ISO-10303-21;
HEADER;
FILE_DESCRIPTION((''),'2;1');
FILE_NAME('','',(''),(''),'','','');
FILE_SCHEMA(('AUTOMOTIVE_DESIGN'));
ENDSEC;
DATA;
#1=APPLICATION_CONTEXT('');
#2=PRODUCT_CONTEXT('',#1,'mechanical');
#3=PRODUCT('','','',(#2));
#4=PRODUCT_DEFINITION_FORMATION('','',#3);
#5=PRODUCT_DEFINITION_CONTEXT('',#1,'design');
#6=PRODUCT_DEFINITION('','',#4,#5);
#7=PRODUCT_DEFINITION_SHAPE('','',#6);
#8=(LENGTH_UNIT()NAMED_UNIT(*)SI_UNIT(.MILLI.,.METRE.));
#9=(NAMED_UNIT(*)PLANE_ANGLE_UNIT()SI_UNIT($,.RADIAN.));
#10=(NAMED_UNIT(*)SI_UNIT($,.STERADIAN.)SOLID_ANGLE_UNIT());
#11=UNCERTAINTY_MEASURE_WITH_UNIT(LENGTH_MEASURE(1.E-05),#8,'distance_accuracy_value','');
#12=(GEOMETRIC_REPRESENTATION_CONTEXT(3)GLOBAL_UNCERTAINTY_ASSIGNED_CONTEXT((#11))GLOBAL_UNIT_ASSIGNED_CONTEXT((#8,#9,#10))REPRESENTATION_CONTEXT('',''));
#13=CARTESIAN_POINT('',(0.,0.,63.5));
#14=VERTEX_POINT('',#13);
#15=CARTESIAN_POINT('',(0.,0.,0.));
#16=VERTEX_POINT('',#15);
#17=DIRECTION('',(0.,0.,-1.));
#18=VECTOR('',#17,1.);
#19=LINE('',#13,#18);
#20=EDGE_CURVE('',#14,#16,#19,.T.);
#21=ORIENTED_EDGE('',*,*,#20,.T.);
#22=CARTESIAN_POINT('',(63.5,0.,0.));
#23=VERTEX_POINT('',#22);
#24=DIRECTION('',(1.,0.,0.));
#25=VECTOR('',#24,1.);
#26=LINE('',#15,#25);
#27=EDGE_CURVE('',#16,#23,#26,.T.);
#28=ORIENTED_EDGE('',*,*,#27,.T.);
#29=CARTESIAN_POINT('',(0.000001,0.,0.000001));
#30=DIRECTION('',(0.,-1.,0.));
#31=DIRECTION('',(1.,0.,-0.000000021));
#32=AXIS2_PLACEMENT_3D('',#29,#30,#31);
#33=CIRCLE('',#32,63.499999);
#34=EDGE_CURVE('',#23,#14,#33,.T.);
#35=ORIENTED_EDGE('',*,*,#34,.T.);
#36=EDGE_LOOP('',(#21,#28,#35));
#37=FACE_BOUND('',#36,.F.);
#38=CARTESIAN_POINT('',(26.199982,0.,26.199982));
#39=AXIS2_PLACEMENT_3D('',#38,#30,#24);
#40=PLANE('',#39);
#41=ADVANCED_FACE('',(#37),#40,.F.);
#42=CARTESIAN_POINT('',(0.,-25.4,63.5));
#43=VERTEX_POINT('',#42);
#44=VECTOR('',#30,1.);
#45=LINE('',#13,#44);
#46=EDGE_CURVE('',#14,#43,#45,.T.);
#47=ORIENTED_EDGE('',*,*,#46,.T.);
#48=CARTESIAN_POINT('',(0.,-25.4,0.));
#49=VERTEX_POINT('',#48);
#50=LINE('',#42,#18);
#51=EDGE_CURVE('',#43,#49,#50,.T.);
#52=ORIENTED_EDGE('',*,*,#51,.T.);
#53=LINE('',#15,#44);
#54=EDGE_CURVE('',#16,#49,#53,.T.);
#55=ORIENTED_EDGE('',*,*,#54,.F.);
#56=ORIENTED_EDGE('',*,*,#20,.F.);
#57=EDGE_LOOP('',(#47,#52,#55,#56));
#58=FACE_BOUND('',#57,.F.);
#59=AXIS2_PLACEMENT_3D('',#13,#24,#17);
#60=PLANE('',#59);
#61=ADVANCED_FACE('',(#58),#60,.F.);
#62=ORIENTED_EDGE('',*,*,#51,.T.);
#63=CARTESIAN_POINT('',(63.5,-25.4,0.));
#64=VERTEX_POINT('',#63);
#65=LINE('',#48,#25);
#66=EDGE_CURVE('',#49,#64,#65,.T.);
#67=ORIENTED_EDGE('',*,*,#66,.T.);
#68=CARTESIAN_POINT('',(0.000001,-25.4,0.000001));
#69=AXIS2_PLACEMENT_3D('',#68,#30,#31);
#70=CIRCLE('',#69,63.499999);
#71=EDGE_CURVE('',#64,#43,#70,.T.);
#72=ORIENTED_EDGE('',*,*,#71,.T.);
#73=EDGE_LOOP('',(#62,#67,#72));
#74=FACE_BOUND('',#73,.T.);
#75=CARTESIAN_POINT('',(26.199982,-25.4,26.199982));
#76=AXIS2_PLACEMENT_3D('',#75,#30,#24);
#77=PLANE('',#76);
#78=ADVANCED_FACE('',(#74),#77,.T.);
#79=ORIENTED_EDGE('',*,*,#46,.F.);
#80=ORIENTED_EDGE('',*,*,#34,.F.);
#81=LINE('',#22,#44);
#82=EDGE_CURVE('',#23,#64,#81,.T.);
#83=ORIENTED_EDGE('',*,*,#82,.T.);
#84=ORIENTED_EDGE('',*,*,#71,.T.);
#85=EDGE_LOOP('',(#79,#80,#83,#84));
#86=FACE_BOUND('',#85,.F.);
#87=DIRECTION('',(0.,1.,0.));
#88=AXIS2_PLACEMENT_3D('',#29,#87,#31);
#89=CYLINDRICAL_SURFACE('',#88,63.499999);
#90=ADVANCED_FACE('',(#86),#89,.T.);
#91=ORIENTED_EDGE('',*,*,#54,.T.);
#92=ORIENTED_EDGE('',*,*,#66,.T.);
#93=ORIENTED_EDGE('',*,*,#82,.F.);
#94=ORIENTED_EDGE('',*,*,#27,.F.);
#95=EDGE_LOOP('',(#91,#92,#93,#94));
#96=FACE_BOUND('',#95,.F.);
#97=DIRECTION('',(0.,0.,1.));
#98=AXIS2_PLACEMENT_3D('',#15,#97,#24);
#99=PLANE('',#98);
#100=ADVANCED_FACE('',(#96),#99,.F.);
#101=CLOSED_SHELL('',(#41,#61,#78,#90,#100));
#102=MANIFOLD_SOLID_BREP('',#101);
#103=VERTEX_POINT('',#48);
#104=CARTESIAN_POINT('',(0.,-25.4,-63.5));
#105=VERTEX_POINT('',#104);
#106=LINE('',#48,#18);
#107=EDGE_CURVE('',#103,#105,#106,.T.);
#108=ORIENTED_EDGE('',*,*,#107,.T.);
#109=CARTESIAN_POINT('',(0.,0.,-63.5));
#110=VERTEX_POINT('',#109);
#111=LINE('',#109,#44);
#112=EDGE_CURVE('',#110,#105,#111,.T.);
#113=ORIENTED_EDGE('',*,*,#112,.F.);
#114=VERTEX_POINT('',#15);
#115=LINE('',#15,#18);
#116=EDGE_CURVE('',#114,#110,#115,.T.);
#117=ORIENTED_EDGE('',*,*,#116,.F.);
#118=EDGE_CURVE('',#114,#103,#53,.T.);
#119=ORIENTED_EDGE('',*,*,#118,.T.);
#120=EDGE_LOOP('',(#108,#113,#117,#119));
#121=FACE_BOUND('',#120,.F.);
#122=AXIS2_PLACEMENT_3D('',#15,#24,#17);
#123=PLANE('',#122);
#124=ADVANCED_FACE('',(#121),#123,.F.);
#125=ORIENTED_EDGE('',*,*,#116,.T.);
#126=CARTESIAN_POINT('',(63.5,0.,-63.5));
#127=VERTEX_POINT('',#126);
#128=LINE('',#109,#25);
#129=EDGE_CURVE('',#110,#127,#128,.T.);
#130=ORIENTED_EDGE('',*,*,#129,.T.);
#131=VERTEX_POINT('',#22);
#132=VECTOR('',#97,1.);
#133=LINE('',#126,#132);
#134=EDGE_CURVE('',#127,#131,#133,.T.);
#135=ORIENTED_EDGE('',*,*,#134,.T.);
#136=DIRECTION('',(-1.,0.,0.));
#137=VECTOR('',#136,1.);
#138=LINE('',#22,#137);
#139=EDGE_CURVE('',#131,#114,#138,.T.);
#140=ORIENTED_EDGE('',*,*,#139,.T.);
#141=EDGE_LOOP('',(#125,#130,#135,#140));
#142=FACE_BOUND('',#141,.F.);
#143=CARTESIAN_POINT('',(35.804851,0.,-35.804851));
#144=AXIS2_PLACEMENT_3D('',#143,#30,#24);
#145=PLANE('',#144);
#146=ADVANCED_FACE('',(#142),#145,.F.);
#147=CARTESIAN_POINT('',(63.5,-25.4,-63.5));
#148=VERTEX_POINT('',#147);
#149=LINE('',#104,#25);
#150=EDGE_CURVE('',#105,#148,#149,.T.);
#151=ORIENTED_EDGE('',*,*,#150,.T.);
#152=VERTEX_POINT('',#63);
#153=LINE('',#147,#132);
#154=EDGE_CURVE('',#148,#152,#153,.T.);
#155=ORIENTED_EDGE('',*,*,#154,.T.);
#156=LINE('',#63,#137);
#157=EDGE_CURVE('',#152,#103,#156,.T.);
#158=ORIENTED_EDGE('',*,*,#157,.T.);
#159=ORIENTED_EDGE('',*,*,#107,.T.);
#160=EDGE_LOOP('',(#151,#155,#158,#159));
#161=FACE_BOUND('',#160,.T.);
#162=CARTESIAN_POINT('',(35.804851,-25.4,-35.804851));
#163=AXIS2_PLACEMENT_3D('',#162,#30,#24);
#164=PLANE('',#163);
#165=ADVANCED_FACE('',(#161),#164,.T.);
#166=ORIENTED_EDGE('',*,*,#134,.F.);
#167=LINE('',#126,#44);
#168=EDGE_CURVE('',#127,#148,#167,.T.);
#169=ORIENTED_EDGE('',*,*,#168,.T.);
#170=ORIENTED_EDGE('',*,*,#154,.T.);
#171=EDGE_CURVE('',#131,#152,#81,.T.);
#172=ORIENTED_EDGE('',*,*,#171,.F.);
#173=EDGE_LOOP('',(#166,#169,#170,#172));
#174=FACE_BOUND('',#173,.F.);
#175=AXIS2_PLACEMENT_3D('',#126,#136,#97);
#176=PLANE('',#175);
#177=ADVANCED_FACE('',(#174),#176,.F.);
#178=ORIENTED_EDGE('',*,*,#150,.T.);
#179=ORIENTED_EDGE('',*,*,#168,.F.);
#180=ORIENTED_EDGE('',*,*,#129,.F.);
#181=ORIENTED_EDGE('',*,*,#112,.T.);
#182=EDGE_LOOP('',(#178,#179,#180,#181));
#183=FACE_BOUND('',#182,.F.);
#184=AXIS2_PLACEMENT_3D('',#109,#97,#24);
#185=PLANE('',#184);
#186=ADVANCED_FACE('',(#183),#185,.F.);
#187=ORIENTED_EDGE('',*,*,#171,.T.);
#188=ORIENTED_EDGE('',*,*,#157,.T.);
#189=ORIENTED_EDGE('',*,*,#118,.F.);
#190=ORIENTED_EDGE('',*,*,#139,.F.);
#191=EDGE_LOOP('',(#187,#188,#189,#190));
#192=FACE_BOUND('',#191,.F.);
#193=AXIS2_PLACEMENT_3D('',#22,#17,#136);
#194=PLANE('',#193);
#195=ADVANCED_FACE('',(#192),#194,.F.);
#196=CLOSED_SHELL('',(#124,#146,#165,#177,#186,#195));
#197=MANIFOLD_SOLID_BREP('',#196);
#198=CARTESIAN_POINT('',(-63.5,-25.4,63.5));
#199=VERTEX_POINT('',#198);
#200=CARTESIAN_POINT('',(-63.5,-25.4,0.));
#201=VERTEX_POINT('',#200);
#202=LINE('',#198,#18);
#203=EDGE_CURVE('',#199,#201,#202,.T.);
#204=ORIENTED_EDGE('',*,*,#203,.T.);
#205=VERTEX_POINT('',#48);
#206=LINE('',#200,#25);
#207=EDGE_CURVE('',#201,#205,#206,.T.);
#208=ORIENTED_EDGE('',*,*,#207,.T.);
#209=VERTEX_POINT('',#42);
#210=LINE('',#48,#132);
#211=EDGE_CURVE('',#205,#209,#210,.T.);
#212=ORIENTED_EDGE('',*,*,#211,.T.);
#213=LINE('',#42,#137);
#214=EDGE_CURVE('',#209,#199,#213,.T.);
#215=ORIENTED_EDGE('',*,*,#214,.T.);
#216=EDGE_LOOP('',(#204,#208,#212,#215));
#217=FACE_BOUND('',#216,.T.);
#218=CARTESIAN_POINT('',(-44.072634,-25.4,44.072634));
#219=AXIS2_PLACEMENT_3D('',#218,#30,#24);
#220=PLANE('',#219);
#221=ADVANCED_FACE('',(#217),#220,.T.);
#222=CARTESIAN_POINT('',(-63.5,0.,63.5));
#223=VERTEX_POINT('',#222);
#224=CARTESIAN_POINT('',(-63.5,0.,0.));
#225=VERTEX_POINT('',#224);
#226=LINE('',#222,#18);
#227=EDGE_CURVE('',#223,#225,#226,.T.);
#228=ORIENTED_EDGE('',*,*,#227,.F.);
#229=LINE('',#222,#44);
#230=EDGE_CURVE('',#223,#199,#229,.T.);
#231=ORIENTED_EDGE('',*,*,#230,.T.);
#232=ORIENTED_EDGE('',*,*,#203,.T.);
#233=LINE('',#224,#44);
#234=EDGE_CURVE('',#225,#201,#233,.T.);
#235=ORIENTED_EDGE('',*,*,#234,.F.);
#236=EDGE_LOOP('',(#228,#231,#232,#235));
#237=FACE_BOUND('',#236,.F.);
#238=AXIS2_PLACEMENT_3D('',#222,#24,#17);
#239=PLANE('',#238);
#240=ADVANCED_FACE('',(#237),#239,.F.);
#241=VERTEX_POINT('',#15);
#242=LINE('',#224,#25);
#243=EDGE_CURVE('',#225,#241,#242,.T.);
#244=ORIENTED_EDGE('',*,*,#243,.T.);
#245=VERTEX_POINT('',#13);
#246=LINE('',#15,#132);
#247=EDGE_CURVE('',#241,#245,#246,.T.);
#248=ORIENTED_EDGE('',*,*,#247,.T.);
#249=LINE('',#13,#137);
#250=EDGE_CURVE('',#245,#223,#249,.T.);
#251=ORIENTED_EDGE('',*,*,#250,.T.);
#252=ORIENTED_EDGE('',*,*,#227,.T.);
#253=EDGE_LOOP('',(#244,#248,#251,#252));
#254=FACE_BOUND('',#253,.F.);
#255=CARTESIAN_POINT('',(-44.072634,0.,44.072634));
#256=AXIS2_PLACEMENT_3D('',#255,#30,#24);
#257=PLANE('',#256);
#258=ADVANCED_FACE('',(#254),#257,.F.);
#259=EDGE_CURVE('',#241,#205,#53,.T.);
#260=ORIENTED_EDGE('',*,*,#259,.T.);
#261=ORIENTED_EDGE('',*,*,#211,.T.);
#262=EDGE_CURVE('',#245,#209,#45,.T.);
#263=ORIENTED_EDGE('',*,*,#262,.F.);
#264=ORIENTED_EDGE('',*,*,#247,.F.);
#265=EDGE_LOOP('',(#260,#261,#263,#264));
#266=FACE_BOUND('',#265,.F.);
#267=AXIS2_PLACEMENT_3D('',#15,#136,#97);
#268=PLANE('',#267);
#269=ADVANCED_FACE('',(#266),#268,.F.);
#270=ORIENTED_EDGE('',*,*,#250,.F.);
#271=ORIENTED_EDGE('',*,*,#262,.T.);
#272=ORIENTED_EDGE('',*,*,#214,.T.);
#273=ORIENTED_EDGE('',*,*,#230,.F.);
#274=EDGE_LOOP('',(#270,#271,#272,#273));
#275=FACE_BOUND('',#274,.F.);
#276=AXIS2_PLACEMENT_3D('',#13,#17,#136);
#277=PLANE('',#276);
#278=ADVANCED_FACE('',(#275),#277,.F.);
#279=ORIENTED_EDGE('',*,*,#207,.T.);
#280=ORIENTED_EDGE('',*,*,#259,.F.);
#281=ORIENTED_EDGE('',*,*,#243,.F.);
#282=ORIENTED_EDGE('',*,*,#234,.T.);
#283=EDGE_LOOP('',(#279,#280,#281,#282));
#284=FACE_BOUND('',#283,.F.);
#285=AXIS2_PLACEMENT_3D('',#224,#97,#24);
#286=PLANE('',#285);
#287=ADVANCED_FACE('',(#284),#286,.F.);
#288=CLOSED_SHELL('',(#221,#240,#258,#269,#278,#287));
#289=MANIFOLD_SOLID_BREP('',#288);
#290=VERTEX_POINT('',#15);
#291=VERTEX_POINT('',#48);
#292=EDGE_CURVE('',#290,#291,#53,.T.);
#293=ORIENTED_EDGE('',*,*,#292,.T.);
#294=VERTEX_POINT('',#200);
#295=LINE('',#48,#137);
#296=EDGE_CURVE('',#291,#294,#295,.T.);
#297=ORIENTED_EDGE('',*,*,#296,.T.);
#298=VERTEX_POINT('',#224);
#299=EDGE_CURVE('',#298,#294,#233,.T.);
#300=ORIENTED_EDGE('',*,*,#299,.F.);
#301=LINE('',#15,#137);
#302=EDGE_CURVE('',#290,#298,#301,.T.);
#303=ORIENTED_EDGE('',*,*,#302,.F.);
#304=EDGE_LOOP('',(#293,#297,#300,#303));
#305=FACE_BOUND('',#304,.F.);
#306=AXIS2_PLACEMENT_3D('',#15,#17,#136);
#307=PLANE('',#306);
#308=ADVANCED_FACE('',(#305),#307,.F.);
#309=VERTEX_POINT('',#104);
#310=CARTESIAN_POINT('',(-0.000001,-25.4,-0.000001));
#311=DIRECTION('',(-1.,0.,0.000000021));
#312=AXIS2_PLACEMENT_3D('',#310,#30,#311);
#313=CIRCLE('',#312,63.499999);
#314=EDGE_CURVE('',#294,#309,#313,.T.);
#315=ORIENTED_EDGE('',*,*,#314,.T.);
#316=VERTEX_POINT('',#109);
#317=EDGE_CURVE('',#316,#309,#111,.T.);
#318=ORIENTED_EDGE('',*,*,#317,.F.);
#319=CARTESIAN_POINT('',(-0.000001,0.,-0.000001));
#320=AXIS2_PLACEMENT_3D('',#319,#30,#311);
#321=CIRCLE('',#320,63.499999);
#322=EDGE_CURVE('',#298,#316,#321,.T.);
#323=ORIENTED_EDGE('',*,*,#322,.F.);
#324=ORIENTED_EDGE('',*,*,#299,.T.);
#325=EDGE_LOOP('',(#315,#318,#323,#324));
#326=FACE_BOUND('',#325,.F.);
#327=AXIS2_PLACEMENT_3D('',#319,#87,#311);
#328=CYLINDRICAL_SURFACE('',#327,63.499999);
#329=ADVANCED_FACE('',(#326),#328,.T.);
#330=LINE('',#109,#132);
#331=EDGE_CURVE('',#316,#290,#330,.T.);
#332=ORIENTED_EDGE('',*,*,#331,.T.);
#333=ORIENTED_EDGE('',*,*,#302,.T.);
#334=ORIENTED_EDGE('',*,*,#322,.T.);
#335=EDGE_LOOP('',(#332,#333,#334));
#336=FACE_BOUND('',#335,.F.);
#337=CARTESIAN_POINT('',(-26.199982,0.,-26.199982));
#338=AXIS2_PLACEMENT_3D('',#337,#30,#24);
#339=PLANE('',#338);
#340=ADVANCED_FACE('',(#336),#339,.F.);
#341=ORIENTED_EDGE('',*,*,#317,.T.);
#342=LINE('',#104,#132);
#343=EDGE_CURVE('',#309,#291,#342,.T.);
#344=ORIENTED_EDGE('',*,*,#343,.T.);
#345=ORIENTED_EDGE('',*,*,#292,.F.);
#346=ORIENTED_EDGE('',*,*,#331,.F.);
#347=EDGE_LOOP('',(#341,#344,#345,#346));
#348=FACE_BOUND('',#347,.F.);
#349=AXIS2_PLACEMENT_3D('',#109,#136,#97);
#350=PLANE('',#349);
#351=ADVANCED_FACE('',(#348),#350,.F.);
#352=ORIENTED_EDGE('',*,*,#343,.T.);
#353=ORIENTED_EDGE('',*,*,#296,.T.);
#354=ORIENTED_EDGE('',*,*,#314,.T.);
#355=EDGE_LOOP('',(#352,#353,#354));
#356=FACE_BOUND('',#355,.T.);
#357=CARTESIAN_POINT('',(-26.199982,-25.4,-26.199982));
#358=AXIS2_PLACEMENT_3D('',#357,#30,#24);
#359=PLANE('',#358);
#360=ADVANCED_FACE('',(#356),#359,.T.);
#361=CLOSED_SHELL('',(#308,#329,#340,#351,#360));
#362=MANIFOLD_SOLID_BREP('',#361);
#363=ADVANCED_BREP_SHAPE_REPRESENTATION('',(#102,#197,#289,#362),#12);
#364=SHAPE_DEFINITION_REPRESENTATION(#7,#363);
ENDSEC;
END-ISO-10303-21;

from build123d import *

# Parameters (mm, degrees)
F1_DEPTH = 25.4
F2_DEPTH = 25.4


with BuildPart() as f1:
    # F0 (on Front) → F1 (new body)
    with BuildSketch(Plane.XZ):
        with BuildLine():
            ThreePointArc((-63.5, 0), (-44.901281, -44.901281), (0, -63.5))
            Line((0, -63.5), (0, 0))
            Line((0, 0), (-63.5, 0))
        make_face()
        with BuildLine():
            Line((0, 0), (63.5, 0))
            ThreePointArc((63.5, 0), (44.901281, 44.901281), (0, 63.5))
            Line((0, 63.5), (0, 0))
        make_face()
    extrude(amount=F1_DEPTH)


with BuildPart() as f2:
    # F0 (on Front) → F2 (new body)
    with BuildSketch(Plane.XZ):
        with BuildLine():
            ThreePointArc((-63.5, 0), (-44.901281, 44.901281), (0, 63.5))
            Line((0, 63.5), (-63.5, 63.5))
            Line((-63.5, 63.5), (-63.5, 0))
        make_face()
        with BuildLine():
            Line((-63.5, 0), (0, 63.5))
            ThreePointArc((0, 63.5), (-44.901281, 44.901281), (-63.5, 0))
        make_face()
        Polygon((0, 0), (0, 63.5), (-63.5, 0), align=None)
        with BuildLine():
            ThreePointArc((0, -63.5), (44.901281, -44.901281), (63.5, 0))
            Line((63.5, 0), (0, -63.5))
        make_face()
        Polygon((0, -63.5), (63.5, 0), (0, 0), align=None)
        with BuildLine():
            Line((63.5, -63.5), (63.5, 0))
            ThreePointArc((63.5, 0), (44.901281, -44.901281), (0, -63.5))
            Line((0, -63.5), (63.5, -63.5))
        make_face()
    extrude(amount=F2_DEPTH)


solid = Compound([f1.part, f2.part])
